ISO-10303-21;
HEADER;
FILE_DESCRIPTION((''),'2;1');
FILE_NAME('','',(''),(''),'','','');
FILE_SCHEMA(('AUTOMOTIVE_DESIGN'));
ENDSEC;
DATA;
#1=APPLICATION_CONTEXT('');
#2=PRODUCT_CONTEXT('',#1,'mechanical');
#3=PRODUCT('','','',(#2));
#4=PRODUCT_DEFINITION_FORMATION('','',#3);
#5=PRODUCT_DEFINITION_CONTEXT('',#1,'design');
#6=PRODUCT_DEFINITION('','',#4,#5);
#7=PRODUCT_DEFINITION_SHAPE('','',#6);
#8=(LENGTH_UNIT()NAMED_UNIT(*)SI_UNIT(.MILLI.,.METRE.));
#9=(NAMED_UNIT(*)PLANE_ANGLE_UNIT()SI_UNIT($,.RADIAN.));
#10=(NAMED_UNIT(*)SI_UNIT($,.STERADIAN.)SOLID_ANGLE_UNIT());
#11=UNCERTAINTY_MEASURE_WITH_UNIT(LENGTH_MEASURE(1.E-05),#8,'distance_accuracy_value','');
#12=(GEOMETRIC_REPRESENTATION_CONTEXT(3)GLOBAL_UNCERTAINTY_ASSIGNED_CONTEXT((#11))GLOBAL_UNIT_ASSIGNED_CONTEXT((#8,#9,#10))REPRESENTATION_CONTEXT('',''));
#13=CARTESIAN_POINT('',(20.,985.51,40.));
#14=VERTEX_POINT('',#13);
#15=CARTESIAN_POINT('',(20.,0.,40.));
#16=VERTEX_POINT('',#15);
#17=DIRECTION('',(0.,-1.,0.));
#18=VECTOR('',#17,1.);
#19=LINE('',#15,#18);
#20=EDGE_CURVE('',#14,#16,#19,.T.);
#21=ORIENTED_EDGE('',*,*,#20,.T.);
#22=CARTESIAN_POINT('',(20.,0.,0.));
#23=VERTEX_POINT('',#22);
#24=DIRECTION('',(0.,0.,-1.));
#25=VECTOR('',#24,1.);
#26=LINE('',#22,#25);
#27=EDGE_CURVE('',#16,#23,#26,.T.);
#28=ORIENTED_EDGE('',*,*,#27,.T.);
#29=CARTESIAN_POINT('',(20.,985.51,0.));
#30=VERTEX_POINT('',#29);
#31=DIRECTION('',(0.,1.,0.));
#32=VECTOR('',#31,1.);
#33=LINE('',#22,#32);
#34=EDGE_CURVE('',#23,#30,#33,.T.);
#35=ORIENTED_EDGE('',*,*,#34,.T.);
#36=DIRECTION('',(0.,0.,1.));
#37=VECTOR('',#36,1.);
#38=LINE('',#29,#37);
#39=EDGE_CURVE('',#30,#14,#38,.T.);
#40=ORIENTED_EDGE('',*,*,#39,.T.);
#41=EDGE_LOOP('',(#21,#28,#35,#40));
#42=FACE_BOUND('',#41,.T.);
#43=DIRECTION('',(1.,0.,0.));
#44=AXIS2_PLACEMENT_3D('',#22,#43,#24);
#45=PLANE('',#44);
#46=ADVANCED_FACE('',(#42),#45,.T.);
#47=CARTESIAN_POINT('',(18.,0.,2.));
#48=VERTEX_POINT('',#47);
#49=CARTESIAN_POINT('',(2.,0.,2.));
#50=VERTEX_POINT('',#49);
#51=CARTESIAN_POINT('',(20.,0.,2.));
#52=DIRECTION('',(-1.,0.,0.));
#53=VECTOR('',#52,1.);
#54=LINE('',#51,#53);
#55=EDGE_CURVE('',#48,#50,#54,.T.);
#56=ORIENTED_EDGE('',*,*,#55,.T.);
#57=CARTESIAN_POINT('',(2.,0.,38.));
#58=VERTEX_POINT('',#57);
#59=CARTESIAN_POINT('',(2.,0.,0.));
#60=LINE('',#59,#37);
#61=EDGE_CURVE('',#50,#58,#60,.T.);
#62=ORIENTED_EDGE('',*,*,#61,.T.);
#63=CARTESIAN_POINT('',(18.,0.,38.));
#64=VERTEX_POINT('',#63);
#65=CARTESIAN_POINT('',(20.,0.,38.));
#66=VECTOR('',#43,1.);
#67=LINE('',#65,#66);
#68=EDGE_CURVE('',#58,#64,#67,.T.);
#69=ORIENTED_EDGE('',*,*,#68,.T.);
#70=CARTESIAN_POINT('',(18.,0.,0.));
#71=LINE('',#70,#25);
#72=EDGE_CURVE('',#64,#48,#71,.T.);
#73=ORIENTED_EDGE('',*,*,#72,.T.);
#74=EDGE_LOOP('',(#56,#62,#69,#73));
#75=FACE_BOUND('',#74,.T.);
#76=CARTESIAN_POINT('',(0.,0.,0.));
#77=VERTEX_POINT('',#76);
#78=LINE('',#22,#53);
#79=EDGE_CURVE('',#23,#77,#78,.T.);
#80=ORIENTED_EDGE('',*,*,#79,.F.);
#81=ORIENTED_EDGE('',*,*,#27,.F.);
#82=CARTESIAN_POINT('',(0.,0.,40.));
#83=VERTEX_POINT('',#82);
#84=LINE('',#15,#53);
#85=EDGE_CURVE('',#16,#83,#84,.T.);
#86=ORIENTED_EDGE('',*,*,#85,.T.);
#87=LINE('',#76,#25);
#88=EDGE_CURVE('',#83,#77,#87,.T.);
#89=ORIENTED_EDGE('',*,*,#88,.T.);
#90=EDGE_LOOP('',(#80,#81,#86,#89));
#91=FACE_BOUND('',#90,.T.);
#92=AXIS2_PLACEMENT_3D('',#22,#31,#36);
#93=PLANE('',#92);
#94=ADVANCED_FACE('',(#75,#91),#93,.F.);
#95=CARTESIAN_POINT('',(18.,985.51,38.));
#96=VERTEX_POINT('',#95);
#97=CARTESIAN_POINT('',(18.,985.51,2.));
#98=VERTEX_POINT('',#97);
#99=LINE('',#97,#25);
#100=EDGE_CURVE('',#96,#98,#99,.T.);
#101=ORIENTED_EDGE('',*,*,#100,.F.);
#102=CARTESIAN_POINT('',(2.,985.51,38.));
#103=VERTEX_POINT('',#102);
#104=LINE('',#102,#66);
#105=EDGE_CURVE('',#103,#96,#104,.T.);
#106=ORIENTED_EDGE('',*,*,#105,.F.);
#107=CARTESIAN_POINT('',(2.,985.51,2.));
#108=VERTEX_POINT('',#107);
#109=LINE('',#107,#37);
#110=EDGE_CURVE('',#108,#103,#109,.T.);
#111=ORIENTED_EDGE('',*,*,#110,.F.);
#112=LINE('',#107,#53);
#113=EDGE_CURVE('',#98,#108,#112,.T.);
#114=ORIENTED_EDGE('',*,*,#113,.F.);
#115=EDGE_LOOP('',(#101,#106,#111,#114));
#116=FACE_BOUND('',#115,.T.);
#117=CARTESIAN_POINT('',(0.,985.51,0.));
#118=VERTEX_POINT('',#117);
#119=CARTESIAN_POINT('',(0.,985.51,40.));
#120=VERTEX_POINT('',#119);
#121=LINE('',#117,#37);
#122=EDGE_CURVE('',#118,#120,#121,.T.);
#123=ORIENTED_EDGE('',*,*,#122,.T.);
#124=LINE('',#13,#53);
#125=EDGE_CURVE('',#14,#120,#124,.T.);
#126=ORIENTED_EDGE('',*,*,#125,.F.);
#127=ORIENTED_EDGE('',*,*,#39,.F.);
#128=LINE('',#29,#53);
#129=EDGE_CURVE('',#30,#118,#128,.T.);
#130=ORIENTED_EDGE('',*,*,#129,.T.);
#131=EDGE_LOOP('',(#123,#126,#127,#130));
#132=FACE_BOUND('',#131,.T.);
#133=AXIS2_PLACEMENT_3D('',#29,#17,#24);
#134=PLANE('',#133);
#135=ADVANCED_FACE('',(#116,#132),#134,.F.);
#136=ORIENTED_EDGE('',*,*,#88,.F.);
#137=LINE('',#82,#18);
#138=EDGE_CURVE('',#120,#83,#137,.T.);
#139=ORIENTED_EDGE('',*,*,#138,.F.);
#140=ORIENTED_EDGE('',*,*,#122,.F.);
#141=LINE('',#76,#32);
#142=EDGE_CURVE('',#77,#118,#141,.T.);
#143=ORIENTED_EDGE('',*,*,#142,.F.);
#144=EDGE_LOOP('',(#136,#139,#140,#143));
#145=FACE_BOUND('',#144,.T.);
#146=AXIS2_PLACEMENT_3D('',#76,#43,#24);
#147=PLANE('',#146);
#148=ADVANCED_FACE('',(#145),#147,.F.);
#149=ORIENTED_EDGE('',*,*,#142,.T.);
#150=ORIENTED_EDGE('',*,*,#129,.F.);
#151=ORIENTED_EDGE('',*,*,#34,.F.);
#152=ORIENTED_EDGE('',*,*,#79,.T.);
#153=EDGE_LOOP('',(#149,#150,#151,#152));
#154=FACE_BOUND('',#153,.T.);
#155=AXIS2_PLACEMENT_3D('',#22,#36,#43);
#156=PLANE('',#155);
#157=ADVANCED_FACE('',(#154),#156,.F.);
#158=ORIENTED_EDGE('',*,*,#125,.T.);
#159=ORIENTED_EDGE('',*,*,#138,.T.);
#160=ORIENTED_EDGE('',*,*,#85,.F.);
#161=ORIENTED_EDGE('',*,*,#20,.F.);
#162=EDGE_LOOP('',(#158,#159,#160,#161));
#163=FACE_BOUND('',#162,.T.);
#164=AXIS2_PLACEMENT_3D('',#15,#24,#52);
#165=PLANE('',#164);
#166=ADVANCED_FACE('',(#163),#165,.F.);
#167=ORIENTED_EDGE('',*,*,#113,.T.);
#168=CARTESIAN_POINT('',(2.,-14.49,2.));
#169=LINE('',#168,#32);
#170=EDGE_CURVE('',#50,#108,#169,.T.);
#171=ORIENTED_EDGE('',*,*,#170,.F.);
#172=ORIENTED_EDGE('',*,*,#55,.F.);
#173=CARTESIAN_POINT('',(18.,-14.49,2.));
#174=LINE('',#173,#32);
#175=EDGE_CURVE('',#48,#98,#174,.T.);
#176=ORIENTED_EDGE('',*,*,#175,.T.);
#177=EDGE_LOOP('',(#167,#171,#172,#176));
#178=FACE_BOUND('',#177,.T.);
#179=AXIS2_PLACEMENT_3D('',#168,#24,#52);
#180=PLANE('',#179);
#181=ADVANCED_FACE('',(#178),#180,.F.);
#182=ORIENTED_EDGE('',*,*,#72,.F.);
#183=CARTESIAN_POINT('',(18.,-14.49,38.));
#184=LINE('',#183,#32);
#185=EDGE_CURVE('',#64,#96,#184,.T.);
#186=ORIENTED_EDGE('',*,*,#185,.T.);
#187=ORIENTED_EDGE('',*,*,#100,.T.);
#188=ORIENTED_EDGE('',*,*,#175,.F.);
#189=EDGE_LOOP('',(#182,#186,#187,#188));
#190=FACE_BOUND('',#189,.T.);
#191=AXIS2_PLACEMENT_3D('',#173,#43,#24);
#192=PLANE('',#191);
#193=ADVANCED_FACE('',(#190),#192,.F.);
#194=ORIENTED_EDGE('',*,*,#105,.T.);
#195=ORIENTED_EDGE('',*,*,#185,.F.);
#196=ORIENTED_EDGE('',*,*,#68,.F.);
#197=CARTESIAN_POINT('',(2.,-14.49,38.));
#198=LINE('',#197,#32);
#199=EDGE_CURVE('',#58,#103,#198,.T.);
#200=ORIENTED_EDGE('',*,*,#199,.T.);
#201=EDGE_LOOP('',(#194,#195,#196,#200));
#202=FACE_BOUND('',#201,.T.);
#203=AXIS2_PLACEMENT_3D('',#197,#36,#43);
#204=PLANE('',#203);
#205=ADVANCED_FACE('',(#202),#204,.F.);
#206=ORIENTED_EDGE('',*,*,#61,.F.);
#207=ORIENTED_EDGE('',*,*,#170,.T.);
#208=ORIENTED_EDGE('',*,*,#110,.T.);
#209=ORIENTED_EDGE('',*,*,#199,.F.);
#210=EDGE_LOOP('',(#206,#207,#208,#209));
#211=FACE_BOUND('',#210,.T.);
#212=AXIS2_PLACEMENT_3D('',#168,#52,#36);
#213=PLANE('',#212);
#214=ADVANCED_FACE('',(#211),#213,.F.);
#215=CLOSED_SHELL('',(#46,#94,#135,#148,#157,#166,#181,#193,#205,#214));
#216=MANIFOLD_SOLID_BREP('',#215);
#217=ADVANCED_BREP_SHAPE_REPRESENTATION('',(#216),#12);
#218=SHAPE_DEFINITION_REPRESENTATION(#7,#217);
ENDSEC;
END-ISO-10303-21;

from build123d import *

# Parameters (mm, degrees)
CROQUIS1_W              = 40
CROQUIS1_H              = 985.51
SALIENTE_EXTRUIR1_DEPTH = 20
CROQUIS2_W              = 16
CROQUIS2_H              = 36
CORTAR_EXTRUIR1_DEPTH   = 1000


with BuildPart() as part:
    # Croquis1 → Saliente-Extruir1 (new body)
    with BuildSketch(Plane(origin=(0, 0, 0), x_dir=(0, 0, -1), z_dir=(1, 0, 0))):
        with Locations((-20, 492.755)):
            Rectangle(CROQUIS1_W, CROQUIS1_H)
    extrude(amount=SALIENTE_EXTRUIR1_DEPTH)

    # Croquis2 → Cortar-Extruir1 (cut)
    with BuildSketch(Plane(origin=(0, 985.51, 0), x_dir=(1, 0, 0), z_dir=(0, 1, 0))):
        with Locations((10, -20)):
            Rectangle(CROQUIS2_W, CROQUIS2_H)
    extrude(amount=-CORTAR_EXTRUIR1_DEPTH, mode=Mode.SUBTRACT)


solid = part.part
